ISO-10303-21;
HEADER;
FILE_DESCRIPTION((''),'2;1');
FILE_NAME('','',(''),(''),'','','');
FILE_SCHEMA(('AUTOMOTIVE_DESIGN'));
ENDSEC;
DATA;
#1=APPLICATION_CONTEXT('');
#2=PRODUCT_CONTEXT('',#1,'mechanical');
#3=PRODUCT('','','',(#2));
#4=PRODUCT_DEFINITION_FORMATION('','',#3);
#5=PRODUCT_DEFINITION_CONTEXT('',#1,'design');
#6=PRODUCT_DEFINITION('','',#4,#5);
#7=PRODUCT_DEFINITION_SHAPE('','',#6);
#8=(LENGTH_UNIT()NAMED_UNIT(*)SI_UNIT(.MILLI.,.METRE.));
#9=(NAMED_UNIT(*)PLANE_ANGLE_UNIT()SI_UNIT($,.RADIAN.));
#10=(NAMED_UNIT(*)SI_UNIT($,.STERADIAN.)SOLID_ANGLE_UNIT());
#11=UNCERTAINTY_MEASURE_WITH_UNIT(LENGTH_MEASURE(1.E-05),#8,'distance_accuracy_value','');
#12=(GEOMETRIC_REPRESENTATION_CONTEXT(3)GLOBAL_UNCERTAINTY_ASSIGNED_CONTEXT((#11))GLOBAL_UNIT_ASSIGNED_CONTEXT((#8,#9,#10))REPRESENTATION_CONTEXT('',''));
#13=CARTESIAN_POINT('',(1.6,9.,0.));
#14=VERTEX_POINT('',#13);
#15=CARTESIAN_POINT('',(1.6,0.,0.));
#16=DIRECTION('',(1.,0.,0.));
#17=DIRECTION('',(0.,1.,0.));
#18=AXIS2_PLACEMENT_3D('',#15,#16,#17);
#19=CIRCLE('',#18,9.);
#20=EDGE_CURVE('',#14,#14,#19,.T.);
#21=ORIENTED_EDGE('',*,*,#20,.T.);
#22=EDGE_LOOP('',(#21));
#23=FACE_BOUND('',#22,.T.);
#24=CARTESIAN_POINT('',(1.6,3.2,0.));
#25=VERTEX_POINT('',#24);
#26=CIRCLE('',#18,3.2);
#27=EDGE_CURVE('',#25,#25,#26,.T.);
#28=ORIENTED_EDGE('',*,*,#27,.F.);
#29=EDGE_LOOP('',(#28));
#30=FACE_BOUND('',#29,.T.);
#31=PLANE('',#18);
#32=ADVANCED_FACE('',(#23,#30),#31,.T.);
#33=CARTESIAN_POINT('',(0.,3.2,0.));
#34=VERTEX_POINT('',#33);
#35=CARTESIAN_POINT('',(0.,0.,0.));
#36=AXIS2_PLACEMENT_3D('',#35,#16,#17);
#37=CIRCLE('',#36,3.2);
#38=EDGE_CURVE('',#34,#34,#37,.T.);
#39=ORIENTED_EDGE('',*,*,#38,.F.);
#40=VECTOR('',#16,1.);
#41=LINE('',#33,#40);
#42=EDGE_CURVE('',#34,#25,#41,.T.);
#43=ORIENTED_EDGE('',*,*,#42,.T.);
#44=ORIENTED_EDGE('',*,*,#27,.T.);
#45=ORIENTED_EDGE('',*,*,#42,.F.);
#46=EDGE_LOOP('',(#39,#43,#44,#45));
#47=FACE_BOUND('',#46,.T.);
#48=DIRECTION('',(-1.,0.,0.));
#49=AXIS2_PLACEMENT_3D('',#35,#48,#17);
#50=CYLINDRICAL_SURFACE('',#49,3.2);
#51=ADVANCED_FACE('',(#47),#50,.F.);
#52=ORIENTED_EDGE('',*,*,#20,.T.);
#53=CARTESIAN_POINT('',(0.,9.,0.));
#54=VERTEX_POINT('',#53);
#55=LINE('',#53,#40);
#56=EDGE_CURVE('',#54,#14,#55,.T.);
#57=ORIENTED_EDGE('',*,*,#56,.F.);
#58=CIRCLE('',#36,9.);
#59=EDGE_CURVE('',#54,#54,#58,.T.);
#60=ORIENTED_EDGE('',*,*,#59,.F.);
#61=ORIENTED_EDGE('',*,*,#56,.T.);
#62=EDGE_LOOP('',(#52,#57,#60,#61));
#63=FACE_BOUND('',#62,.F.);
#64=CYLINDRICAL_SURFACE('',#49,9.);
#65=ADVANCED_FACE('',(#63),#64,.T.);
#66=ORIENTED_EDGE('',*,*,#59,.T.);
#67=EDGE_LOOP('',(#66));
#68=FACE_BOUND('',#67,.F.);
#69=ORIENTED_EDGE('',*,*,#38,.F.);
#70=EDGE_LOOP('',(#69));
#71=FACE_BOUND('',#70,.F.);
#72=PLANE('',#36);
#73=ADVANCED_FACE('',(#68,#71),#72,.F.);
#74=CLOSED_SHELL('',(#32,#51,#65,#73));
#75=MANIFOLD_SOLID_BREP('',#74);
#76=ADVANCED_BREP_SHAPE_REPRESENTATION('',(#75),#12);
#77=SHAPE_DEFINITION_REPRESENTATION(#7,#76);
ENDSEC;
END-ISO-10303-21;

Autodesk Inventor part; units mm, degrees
ref_plane "YZ Plane" through (0, 0, 0) normal (1, 0, 0) x (0, 1, 0)
ref_plane "XZ Plane" through (0, 0, 0) normal (0, 1, 0) x (-1, 0, 0)
sketch "Skizze" plane through (0, 0, 0) normal (1, 0, 0) x (0, 1, 0)
  circle A0 centre (0, 0) radius 9
  circle A1 centre (0, 0) radius 3.2
  dimension "d0" = 6.4
  dimension "d1" = 18
extrude "Körper" add sketch "Skizze" along normal blind 1.6
ref_plane "Work Plane1" through (0, 0, 0) normal (0, 0, 1) x (1, 0, 0)
equation "\"d0\" = SD1"
equation "\"d1\" = SD2"
equation "\"d2\" = SD"
equation "\"SD1\" = 6.4"
equation "\"SD2\" = 18"
equation "\"SD\" = 1.6"
equation "\"NND\" = 6"
properties part number "DIN 9021 - 6,4" material "Stahl, weich"
